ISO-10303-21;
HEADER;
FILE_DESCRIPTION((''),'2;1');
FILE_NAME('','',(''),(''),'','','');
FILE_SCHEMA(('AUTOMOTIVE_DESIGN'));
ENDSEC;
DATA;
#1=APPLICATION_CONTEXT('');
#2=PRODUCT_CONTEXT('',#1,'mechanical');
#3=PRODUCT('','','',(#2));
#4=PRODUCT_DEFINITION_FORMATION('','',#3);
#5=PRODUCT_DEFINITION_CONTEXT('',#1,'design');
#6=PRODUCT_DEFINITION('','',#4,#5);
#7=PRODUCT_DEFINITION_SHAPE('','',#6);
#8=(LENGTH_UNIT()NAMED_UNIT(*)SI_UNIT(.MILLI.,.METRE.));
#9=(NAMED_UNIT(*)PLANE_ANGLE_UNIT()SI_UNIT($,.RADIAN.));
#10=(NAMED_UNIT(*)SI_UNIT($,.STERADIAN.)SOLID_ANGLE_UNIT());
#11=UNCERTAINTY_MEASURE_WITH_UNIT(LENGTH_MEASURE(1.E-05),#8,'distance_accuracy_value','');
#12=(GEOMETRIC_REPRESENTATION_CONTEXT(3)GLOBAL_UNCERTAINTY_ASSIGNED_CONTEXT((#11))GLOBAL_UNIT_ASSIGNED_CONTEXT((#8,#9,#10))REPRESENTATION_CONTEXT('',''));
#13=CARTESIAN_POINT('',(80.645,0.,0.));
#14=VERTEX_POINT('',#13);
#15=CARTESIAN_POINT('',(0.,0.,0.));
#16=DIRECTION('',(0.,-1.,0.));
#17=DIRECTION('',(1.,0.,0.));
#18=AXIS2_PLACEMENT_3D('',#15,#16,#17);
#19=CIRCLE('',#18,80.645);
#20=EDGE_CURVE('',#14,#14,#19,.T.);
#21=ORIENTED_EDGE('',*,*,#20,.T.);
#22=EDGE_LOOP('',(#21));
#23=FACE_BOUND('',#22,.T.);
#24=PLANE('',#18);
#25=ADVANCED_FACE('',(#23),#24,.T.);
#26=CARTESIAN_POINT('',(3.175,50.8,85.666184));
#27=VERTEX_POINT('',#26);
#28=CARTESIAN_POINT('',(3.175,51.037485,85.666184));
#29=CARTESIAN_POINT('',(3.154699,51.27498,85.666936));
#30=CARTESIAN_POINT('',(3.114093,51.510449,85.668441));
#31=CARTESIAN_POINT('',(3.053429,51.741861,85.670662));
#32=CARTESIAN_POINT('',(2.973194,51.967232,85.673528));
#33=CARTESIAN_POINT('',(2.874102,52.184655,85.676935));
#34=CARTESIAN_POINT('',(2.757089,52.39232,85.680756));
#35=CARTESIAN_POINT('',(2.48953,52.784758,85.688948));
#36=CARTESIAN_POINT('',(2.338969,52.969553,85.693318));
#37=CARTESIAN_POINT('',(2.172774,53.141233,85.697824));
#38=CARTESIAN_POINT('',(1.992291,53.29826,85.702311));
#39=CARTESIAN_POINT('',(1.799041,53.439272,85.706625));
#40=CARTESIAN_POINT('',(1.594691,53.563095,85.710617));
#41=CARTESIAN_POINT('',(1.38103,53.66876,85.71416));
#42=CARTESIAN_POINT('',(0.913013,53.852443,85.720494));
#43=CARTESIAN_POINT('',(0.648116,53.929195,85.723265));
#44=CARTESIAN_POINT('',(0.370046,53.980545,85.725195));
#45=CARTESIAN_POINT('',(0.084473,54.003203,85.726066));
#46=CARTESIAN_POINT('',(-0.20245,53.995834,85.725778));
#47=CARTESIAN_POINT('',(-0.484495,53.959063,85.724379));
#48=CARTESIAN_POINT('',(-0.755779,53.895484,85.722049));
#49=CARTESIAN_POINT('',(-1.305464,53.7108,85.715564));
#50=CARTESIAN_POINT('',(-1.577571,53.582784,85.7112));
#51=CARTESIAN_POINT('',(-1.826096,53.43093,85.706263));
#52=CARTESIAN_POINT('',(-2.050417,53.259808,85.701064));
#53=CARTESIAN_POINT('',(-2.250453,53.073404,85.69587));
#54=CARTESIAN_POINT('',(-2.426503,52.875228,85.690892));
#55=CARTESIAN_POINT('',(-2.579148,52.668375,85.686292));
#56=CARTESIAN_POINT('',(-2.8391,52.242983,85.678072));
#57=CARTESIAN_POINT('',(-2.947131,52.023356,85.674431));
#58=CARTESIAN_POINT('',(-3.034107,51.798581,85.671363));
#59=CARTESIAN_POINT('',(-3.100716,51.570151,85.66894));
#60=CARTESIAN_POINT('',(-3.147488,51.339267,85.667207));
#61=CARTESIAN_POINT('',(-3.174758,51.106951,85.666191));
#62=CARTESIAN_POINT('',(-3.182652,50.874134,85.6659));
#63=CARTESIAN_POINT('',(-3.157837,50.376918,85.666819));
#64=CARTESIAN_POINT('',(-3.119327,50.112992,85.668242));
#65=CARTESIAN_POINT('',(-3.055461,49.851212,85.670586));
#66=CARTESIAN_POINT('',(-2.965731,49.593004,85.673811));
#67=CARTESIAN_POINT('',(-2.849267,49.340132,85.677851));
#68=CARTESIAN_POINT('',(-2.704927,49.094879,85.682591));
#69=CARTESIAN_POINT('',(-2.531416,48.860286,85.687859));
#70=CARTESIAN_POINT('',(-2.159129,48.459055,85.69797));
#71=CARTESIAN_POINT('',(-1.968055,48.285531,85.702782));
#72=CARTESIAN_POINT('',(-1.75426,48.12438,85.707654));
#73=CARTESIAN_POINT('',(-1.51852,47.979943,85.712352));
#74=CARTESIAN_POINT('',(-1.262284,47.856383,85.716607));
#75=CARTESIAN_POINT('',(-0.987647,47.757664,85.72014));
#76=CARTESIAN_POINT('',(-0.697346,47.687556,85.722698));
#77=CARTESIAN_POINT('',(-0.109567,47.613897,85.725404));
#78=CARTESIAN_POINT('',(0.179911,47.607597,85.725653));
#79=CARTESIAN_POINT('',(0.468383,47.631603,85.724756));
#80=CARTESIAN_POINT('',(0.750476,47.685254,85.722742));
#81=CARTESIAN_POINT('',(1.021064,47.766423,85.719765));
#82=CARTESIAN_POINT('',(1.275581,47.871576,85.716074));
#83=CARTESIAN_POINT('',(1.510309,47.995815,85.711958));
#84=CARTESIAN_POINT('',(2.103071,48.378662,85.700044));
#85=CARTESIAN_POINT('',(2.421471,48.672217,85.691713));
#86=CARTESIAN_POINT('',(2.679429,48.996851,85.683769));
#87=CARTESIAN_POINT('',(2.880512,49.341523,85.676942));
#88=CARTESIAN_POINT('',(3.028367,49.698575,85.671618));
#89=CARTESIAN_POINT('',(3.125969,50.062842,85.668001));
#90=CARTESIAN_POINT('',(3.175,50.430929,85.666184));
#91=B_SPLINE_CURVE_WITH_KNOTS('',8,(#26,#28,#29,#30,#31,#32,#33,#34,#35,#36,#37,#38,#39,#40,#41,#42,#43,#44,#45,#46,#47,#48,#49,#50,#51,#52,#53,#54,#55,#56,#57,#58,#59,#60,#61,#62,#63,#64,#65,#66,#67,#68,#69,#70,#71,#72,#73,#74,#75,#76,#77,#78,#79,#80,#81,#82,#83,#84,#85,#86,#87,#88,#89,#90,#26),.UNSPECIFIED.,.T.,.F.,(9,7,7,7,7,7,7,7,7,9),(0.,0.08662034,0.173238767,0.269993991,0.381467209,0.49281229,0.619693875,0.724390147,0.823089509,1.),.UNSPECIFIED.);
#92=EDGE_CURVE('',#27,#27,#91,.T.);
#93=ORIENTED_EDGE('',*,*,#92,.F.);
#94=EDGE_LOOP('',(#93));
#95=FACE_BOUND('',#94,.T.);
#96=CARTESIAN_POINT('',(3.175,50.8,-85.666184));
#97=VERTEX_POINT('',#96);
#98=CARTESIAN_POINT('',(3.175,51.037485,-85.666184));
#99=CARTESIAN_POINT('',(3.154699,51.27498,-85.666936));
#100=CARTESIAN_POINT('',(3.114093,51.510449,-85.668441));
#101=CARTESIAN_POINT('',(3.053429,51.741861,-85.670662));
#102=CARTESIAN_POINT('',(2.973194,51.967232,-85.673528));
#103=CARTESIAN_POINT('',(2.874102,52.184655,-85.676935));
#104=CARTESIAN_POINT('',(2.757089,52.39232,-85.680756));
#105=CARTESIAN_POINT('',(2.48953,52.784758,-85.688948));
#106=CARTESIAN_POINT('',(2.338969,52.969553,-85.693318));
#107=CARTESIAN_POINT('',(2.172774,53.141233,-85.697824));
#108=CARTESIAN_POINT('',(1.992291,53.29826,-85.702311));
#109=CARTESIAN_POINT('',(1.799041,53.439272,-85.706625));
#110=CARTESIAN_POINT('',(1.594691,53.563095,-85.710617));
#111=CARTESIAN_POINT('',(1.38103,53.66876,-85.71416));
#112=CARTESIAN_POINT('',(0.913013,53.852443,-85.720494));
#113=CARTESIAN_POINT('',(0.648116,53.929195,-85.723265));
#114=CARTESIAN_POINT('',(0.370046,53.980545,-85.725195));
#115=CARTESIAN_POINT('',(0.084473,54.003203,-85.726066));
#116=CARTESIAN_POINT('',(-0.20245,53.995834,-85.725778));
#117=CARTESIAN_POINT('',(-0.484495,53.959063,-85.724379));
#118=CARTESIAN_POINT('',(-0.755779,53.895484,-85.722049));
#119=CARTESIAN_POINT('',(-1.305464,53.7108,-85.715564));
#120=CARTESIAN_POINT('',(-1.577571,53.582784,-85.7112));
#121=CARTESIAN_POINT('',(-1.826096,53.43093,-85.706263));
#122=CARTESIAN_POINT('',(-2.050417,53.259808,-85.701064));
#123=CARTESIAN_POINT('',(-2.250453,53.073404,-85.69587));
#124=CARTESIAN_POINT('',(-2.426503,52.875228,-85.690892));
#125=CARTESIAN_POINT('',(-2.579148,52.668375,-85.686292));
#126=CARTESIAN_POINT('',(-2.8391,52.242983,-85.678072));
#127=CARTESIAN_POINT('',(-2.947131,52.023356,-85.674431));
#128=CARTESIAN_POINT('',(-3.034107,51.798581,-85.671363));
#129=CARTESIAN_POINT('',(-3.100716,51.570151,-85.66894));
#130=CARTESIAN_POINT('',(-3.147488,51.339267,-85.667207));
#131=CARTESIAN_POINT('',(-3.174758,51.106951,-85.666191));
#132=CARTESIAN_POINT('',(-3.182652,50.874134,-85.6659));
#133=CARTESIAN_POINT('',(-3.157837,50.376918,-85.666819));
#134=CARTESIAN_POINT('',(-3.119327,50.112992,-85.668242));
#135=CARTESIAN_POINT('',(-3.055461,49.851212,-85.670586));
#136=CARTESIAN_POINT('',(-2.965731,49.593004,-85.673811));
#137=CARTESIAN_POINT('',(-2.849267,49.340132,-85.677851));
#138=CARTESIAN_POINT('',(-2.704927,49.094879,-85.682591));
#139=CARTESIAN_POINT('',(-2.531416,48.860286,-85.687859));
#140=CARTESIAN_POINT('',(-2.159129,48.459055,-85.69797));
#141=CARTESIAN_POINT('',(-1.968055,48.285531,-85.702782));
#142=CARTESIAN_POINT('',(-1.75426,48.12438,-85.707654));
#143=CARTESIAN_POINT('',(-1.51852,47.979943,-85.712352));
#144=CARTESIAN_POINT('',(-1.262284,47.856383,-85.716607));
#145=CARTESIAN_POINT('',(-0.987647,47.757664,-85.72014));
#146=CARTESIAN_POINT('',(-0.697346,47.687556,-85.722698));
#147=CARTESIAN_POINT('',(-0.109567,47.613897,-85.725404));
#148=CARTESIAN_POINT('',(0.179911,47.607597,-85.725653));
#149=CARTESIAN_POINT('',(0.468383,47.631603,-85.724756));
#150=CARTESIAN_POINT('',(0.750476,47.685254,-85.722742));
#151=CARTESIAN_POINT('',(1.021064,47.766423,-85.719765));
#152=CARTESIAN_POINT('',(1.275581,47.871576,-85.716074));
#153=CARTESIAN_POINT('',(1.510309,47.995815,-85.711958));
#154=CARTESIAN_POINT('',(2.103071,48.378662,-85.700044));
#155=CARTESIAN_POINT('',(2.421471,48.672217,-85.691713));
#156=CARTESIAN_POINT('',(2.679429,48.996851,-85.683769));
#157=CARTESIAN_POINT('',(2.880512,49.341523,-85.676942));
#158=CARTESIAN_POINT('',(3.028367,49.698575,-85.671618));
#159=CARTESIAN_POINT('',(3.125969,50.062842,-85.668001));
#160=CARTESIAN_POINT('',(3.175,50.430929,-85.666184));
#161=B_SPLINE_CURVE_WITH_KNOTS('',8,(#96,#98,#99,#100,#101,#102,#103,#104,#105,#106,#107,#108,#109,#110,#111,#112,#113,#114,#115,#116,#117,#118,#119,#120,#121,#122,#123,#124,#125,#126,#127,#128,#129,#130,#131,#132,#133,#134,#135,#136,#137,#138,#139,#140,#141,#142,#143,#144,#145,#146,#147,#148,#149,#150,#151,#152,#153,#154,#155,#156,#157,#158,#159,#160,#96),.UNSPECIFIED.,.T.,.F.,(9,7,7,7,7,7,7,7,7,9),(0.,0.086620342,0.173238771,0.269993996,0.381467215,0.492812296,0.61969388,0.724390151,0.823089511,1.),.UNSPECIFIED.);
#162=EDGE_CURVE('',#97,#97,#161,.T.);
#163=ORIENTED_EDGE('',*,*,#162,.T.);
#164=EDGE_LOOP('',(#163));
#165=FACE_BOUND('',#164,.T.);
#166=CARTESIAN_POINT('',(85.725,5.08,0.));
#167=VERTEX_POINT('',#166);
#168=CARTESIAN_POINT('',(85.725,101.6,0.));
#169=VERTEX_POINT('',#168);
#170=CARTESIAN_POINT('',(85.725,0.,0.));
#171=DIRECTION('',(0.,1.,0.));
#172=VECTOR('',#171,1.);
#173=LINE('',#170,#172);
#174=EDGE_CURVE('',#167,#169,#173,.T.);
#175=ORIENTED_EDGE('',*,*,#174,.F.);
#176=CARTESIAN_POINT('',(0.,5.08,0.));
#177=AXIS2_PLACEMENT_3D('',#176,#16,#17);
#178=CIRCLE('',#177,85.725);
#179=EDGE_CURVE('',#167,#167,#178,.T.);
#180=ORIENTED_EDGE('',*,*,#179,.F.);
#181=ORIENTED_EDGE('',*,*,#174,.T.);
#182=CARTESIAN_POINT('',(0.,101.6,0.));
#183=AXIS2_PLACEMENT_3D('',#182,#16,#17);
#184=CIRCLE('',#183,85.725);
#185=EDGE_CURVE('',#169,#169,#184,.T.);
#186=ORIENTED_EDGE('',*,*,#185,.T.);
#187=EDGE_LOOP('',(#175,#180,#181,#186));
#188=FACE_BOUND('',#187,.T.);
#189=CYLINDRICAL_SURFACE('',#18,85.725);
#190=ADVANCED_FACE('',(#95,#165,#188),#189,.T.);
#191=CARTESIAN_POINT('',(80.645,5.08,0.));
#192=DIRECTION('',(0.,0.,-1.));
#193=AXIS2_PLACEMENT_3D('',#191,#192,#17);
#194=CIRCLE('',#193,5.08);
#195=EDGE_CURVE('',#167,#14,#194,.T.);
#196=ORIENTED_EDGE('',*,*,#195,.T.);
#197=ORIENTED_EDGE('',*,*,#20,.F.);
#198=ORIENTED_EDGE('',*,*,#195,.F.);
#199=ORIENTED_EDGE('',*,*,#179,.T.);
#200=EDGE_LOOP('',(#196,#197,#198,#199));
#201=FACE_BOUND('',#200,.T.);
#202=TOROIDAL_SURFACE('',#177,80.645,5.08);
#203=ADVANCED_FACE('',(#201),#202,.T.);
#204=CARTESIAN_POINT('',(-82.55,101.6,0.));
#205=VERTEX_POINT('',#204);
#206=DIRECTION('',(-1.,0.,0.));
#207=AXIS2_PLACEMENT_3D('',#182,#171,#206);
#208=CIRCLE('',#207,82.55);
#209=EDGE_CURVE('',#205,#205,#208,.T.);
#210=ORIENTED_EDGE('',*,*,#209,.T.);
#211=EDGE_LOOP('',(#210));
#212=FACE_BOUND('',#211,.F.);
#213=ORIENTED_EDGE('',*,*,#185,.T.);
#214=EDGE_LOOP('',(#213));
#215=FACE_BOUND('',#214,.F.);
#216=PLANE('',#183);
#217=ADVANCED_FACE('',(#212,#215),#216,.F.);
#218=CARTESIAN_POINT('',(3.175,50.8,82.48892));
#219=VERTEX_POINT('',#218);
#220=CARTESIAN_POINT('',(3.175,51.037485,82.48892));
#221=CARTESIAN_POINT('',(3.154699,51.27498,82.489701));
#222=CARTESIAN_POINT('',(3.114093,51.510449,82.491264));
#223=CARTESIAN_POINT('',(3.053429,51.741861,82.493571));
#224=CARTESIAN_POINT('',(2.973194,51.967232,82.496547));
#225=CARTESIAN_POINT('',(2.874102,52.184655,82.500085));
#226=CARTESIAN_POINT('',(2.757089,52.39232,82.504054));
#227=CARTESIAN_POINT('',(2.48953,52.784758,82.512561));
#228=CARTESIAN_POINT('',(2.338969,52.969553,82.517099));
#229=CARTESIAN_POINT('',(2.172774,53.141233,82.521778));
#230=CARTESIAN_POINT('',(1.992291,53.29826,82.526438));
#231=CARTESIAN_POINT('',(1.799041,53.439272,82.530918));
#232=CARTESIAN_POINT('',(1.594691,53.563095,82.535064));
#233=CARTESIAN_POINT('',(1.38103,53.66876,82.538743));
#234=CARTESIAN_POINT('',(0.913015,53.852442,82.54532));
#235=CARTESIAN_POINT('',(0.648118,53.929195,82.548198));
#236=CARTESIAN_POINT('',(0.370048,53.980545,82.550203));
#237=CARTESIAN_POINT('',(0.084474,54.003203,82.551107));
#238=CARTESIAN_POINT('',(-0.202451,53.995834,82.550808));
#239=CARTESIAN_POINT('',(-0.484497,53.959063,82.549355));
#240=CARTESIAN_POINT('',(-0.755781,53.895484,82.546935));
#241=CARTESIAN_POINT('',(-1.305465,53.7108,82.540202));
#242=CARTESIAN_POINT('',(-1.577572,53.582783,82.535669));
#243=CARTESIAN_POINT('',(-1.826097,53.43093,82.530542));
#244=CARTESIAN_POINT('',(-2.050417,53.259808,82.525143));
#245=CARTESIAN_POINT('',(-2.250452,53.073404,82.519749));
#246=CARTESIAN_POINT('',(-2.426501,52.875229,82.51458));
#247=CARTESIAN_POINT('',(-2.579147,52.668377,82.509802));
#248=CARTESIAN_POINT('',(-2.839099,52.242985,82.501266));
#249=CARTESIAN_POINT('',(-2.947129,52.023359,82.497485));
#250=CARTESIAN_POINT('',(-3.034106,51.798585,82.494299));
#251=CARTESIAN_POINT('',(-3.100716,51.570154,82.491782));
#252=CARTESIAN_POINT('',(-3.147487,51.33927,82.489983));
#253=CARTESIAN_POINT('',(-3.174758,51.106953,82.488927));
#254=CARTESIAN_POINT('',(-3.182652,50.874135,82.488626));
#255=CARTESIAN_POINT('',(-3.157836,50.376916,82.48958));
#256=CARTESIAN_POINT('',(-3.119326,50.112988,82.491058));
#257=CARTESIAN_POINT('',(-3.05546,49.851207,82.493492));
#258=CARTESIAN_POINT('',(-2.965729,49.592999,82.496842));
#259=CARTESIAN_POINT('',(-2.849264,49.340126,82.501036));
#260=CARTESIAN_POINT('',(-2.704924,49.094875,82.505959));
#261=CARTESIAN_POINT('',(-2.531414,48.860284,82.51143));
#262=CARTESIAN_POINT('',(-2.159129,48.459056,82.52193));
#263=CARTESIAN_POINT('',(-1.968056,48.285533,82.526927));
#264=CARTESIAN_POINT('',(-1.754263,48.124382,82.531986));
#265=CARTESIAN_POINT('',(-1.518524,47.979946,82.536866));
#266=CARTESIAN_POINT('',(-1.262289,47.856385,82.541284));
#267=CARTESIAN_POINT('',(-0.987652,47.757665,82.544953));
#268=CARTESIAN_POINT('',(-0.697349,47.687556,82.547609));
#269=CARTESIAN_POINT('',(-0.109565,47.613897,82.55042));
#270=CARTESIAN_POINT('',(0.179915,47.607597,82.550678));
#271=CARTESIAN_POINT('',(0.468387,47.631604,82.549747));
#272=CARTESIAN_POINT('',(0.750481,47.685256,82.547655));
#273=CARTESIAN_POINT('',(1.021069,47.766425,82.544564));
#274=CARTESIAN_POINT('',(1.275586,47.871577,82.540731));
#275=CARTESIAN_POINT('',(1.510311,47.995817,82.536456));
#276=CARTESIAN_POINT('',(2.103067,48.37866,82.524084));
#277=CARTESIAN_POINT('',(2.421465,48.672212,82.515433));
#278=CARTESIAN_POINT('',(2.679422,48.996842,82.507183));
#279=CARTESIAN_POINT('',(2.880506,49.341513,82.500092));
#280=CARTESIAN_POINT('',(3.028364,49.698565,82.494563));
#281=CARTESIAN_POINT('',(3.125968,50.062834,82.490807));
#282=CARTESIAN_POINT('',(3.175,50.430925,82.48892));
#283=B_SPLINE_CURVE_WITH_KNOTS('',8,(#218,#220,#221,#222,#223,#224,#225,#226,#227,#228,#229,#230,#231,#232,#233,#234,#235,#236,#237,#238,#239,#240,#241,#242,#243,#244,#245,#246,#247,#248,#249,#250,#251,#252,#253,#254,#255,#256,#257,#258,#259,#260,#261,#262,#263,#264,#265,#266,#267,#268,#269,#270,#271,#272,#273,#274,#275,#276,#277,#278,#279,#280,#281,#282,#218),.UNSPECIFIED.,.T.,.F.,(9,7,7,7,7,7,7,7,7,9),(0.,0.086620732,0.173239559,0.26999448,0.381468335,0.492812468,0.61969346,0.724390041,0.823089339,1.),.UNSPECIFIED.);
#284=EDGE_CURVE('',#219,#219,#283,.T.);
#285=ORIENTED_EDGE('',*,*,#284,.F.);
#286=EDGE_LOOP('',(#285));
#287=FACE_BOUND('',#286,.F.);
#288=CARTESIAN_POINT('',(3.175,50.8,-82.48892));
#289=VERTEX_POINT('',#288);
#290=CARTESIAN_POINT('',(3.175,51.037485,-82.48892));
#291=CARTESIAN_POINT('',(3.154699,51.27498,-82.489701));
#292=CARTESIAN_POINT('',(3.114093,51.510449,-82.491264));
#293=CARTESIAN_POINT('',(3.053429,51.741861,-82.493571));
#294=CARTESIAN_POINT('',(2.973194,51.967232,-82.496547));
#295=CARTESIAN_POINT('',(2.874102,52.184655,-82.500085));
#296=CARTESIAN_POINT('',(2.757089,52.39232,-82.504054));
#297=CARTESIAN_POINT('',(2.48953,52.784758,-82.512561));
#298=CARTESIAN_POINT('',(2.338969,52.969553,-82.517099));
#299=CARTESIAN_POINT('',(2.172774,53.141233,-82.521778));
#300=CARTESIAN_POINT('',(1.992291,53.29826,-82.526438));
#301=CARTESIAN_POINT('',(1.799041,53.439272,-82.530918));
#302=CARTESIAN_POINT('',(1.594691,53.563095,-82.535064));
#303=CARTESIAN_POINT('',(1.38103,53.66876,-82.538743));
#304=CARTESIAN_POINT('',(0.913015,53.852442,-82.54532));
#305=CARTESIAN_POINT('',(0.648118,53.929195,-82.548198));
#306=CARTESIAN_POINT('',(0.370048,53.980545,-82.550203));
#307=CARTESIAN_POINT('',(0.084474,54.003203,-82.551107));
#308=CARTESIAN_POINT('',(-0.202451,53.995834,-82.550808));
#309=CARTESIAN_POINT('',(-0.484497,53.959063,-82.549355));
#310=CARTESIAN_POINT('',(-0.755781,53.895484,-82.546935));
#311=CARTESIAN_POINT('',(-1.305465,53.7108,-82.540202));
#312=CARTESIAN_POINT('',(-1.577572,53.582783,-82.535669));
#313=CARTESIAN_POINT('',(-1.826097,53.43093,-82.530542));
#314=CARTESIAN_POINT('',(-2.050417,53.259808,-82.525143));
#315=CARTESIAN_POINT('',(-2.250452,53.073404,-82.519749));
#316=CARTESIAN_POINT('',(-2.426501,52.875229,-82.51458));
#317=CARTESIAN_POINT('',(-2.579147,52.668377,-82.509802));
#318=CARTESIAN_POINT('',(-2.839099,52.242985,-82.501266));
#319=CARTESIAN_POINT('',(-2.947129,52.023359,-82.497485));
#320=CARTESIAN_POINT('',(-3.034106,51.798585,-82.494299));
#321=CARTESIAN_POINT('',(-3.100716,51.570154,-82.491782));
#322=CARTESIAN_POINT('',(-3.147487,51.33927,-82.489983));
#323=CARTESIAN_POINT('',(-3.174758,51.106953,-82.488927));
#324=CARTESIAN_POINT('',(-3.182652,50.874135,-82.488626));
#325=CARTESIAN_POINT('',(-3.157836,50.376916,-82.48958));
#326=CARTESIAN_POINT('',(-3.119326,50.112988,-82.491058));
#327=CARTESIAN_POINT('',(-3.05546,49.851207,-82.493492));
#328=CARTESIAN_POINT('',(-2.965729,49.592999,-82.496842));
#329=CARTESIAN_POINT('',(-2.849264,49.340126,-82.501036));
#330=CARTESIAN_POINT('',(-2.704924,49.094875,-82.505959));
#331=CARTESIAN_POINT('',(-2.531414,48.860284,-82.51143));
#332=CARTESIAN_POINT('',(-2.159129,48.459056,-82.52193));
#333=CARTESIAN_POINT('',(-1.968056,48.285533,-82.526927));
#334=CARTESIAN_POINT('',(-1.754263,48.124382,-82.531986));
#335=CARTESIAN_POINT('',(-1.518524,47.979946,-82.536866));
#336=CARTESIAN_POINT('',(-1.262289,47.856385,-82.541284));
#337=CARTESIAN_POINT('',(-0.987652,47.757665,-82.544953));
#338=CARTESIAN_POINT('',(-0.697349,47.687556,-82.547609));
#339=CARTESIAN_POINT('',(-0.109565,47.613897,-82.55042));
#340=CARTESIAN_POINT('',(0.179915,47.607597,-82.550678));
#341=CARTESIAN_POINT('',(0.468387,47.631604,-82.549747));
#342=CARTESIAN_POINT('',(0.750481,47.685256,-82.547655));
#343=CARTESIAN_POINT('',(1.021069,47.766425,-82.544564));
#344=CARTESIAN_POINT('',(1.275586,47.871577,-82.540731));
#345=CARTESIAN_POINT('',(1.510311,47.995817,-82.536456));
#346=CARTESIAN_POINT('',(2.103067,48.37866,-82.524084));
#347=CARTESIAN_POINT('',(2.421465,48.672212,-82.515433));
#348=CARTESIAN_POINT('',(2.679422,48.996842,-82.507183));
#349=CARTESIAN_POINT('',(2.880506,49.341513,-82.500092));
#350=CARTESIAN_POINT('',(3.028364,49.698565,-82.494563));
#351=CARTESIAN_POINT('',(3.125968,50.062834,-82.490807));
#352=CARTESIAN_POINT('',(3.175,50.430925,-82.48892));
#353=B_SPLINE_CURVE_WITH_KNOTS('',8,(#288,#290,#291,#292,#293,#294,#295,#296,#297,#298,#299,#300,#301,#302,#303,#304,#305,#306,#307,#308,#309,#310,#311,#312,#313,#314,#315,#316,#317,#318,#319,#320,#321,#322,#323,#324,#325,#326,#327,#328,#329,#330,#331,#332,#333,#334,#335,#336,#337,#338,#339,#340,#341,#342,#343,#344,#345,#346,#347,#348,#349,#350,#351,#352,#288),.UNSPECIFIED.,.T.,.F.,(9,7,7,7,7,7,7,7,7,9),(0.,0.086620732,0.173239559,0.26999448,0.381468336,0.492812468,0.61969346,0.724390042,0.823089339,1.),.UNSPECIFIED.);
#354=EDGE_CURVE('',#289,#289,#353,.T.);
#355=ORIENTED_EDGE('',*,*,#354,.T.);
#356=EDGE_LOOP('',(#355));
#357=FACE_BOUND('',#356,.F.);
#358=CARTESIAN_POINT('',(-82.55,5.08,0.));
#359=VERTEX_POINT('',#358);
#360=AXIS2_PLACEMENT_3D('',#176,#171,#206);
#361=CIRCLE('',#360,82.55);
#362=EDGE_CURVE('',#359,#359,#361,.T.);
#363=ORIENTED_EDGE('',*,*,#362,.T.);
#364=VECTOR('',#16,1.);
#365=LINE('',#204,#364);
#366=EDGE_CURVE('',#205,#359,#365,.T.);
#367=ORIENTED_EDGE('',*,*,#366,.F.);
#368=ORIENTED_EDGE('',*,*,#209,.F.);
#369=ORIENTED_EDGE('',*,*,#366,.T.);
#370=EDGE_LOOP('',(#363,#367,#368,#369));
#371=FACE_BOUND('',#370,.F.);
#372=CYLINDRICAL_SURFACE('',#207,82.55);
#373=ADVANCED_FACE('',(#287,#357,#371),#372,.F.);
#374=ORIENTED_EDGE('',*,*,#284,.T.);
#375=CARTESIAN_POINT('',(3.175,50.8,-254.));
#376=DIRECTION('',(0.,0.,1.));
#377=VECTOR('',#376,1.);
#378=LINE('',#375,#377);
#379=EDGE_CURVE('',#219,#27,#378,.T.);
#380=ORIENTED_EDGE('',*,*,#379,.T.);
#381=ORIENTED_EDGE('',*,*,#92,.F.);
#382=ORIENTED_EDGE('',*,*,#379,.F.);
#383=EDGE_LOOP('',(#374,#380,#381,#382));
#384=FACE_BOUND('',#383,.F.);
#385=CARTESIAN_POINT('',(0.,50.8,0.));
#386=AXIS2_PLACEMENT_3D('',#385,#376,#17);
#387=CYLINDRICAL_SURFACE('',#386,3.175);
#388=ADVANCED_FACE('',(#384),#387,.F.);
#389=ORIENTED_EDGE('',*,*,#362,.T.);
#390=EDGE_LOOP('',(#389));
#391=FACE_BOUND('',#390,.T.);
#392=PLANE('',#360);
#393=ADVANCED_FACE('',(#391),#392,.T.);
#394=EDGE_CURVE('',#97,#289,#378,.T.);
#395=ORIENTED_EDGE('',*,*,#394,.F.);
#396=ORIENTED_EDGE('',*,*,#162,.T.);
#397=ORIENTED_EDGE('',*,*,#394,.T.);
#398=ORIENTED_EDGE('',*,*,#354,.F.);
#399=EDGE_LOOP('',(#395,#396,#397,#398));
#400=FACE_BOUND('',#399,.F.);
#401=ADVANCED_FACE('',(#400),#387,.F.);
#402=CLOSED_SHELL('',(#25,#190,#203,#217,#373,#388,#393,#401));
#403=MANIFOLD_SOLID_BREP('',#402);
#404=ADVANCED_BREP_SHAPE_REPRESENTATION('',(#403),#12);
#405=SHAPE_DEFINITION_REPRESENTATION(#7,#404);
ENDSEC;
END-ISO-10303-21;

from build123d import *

# Parameters (mm, degrees)
F0_R     = 85.725
F1_DEPTH = 101.6
F2_R     = 82.55
F3_DEPTH = 96.52
F4_R     = 5.08
F5_R     = 3.175
F6_DEPTH = 254


with BuildPart() as f1:
    # F0 (on Front) → F1 (new body)
    with BuildSketch(Plane.XZ):
        Circle(F0_R)
    extrude(amount=-F1_DEPTH)

    # F2 (on face) → F3 (cut)
    with BuildSketch(Plane(origin=(0, 101.6, 0), x_dir=(-1, 0, 0), z_dir=(0, 1, 0))):
        Circle(F2_R)
    extrude(amount=-F3_DEPTH, mode=Mode.SUBTRACT)

    # F4
    f4_edges = [f1.edges().sort_by_distance(p)[0] for p in [
        (-85.725, 0, 0),
    ]]
    fillet(f4_edges, radius=F4_R)

    # F5 (on Top) → F6 (cut, symmetric)
    with BuildSketch(Plane.XY):
        with Locations((0, 50.8)):
            Circle(F5_R)
    extrude(amount=F6_DEPTH, both=True, mode=Mode.SUBTRACT)


solid = f1.part
